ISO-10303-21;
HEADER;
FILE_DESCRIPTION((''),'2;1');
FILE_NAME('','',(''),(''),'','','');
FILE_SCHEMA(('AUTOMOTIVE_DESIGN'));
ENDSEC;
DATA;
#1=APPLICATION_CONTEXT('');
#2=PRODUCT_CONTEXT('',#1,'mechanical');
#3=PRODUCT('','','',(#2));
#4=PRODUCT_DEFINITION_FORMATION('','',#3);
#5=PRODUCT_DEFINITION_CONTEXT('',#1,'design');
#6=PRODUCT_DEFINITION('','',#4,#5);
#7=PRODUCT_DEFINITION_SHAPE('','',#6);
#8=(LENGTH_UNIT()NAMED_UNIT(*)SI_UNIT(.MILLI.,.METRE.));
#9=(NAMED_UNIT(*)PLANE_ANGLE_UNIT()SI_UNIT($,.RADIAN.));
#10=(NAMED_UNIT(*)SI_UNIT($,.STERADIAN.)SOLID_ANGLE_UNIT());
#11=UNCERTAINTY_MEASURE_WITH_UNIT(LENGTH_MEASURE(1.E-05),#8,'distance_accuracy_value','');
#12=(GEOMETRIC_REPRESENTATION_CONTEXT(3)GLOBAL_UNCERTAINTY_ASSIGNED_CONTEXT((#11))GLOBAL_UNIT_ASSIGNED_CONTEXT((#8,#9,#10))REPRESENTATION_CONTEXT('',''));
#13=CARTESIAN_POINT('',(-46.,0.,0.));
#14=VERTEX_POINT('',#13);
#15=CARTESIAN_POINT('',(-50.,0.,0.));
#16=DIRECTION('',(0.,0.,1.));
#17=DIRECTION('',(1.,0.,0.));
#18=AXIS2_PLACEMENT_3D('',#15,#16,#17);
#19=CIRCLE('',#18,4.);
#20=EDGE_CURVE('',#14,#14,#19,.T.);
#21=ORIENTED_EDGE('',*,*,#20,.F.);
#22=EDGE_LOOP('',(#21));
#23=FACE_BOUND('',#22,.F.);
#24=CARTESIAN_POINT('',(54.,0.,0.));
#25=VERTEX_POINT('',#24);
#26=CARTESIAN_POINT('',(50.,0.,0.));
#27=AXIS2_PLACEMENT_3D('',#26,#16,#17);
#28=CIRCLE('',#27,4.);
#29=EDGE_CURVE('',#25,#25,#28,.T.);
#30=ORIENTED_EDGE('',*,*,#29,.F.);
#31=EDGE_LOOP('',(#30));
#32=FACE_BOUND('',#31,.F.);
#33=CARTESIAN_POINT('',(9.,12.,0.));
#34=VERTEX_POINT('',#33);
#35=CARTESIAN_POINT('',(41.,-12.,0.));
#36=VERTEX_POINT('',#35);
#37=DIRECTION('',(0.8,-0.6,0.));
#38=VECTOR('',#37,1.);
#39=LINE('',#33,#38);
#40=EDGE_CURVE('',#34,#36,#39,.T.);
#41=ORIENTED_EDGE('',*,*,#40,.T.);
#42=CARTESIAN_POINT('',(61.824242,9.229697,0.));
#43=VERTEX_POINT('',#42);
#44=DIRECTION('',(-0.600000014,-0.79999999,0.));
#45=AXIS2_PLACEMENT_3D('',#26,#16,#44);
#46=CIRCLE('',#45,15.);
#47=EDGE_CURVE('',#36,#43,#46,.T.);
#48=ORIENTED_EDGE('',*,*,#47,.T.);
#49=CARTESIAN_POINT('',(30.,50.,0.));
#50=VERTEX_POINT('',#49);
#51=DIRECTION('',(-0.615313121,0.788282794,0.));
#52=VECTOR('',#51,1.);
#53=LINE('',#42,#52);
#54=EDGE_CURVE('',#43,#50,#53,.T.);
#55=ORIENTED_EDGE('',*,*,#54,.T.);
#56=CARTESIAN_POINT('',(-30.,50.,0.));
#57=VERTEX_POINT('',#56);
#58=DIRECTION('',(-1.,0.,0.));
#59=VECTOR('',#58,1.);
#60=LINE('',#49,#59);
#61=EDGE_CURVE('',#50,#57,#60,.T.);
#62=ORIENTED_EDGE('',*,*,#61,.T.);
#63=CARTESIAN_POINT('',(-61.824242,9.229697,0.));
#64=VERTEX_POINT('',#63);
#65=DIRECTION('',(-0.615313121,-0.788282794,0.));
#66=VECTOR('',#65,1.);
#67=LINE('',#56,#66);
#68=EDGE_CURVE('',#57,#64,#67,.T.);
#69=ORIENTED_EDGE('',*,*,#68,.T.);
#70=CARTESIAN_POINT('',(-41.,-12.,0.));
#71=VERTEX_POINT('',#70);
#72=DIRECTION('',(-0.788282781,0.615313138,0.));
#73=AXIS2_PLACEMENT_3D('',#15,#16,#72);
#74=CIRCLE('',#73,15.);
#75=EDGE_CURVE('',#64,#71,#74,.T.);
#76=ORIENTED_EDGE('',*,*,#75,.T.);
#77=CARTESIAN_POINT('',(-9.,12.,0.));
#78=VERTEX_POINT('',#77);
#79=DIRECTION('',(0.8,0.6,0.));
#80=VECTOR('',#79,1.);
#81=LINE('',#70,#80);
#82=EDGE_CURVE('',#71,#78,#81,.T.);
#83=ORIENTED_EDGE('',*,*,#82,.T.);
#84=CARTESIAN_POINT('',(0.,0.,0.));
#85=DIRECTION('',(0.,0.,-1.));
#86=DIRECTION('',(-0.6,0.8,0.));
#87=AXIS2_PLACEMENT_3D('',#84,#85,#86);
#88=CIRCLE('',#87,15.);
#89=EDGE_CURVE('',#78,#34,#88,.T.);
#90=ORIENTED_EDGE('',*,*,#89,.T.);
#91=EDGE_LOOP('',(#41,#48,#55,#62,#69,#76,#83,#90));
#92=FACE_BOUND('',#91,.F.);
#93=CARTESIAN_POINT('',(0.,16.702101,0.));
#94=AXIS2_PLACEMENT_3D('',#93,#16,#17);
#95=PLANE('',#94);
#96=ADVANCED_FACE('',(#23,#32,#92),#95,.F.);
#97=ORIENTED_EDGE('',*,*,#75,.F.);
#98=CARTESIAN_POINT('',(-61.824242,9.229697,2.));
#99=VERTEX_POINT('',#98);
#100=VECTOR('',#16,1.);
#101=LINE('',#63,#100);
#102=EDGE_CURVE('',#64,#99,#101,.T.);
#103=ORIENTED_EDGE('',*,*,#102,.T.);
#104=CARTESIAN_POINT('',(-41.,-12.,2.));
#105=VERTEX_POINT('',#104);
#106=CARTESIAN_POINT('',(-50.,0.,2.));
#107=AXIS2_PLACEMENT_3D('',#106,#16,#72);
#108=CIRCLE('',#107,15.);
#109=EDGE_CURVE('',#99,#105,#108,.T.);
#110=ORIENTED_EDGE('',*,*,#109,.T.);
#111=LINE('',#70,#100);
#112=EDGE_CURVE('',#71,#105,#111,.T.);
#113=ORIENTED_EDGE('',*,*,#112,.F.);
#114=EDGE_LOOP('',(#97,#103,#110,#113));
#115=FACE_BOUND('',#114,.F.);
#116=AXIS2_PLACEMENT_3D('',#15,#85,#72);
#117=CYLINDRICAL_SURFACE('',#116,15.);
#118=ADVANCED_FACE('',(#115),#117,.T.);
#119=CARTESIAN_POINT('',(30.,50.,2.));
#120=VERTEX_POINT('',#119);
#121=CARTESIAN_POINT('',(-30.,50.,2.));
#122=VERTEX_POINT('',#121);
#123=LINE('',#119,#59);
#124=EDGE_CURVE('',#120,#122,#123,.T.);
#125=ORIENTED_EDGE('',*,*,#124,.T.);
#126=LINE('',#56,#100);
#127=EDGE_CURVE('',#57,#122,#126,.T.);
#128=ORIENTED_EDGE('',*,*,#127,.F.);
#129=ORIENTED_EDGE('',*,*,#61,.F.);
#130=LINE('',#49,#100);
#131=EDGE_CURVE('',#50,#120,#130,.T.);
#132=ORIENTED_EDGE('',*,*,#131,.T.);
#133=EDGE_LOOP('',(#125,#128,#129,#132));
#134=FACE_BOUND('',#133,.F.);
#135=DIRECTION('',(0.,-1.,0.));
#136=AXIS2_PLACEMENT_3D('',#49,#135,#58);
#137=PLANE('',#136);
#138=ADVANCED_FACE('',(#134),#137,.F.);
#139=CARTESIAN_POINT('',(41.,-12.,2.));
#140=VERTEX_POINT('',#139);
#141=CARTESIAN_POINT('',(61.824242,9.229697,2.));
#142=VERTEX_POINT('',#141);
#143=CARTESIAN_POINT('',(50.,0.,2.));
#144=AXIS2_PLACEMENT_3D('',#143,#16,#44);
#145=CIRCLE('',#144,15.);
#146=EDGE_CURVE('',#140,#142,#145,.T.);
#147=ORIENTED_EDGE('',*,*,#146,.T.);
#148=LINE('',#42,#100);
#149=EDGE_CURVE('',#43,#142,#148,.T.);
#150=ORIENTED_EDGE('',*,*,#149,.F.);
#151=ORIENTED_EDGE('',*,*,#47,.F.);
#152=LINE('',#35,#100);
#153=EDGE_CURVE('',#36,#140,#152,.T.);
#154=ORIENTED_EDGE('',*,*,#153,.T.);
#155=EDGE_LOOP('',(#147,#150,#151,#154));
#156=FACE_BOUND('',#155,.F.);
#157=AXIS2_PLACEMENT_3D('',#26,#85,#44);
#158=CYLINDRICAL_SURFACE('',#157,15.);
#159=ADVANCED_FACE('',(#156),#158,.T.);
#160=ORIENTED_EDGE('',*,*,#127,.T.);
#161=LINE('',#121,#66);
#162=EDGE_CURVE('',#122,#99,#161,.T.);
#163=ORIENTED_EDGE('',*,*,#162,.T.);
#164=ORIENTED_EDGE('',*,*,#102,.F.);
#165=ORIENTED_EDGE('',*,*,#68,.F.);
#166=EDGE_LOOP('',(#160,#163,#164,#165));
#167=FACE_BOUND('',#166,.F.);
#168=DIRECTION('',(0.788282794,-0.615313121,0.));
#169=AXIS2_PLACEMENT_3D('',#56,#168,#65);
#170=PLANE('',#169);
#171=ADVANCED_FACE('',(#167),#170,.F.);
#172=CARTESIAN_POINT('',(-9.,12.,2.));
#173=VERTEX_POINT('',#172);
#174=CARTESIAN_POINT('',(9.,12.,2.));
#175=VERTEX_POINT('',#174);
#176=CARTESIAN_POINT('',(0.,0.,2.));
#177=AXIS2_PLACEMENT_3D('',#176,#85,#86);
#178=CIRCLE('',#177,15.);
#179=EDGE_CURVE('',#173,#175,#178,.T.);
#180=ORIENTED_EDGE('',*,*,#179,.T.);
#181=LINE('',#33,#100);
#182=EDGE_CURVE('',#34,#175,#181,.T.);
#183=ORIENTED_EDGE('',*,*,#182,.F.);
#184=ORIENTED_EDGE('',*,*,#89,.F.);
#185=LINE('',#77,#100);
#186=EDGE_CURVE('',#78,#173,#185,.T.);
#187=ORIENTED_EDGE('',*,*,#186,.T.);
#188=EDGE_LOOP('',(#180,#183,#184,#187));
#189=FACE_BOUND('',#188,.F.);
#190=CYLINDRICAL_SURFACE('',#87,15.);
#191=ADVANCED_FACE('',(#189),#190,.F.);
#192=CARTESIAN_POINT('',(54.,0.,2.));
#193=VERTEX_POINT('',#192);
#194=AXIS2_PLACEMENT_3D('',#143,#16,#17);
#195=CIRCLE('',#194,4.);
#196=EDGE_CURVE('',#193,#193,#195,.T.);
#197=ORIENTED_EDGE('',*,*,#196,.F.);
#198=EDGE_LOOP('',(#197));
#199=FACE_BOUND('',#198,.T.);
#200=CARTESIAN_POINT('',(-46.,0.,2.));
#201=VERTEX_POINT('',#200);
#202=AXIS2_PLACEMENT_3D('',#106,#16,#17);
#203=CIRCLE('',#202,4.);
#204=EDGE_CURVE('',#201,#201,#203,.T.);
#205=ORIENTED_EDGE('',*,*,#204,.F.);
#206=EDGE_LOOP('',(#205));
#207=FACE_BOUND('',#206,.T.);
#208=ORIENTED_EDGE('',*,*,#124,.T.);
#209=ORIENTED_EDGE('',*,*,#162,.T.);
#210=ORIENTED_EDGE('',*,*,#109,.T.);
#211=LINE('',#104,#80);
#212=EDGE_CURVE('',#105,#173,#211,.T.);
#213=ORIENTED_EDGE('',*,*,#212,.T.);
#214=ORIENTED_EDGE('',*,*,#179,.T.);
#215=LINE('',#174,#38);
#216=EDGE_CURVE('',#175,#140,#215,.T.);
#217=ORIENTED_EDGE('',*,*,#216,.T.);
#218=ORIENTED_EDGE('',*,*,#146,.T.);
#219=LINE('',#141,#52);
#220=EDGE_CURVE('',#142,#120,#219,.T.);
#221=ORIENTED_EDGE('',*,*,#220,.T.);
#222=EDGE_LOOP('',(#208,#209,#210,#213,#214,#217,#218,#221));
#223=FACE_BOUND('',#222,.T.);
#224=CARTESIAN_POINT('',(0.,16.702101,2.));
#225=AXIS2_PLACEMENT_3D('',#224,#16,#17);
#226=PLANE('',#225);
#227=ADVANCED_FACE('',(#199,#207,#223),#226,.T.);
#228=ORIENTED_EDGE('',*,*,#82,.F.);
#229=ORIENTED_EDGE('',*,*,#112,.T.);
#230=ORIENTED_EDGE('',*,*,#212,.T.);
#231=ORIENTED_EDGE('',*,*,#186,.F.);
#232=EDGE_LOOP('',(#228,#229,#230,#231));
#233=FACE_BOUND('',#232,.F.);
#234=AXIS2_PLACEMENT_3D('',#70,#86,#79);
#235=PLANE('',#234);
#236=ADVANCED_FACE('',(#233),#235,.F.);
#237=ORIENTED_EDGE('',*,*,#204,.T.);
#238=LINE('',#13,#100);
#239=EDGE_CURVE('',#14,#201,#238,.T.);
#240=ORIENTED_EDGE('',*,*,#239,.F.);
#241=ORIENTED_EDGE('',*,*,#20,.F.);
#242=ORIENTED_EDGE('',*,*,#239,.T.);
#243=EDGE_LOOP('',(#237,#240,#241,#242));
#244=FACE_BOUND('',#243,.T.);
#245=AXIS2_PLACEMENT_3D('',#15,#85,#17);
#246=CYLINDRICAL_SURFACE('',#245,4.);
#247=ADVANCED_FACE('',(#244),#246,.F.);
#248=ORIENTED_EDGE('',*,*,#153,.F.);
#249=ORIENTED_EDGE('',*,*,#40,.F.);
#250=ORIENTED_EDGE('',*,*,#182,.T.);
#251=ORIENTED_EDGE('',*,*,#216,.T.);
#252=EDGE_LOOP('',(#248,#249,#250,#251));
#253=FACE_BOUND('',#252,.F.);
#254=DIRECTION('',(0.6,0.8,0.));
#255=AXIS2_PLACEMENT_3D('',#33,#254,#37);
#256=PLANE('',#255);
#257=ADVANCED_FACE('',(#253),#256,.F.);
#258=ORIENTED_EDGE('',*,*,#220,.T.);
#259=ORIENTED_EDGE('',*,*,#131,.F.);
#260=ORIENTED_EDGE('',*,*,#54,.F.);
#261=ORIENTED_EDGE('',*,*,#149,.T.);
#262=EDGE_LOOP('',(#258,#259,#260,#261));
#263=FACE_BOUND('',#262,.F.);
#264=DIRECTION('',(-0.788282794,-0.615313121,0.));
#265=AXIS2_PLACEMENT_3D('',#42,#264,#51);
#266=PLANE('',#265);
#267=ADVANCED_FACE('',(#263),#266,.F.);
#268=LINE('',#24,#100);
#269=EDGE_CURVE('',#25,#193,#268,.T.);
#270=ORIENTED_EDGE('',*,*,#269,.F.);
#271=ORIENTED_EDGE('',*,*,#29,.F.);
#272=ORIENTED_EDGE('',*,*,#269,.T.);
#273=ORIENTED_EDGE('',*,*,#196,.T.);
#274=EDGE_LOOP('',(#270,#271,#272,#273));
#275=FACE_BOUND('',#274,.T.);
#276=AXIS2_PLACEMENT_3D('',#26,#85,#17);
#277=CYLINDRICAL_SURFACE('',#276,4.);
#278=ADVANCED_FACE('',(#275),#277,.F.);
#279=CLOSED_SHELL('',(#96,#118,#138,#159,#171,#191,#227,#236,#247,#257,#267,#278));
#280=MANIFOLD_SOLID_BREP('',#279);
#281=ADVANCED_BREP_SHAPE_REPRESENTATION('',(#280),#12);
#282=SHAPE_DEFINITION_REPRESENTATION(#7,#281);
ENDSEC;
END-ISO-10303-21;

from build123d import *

# Parameters (mm, degrees)
F0_R     = 4
F1_DEPTH = 2


with BuildPart() as f1:
    # F0 (on Top) → F1 (new body)
    with BuildSketch(Plane.XY):
        with BuildLine():
            Line((-30, 50), (-61.824242, 9.229697))
            ThreePointArc((-61.824242, 9.229697), (-60.708366, -10.503852), (-41, -12))
            Line((-41, -12), (-9, 12))
            ThreePointArc((-9, 12), (0, 15), (9, 12))
            Line((9, 12), (41, -12))
            ThreePointArc((41, -12), (60.708366, -10.503852), (61.824242, 9.229697))
            Line((61.824242, 9.229697), (30, 50))
            Line((30, 50), (-30, 50))
        make_face()
        with Locations((-50, 0)):
            Circle(F0_R, mode=Mode.SUBTRACT)
        with Locations((50, 0)):
            Circle(F0_R, mode=Mode.SUBTRACT)
    extrude(amount=F1_DEPTH)


solid = f1.part
